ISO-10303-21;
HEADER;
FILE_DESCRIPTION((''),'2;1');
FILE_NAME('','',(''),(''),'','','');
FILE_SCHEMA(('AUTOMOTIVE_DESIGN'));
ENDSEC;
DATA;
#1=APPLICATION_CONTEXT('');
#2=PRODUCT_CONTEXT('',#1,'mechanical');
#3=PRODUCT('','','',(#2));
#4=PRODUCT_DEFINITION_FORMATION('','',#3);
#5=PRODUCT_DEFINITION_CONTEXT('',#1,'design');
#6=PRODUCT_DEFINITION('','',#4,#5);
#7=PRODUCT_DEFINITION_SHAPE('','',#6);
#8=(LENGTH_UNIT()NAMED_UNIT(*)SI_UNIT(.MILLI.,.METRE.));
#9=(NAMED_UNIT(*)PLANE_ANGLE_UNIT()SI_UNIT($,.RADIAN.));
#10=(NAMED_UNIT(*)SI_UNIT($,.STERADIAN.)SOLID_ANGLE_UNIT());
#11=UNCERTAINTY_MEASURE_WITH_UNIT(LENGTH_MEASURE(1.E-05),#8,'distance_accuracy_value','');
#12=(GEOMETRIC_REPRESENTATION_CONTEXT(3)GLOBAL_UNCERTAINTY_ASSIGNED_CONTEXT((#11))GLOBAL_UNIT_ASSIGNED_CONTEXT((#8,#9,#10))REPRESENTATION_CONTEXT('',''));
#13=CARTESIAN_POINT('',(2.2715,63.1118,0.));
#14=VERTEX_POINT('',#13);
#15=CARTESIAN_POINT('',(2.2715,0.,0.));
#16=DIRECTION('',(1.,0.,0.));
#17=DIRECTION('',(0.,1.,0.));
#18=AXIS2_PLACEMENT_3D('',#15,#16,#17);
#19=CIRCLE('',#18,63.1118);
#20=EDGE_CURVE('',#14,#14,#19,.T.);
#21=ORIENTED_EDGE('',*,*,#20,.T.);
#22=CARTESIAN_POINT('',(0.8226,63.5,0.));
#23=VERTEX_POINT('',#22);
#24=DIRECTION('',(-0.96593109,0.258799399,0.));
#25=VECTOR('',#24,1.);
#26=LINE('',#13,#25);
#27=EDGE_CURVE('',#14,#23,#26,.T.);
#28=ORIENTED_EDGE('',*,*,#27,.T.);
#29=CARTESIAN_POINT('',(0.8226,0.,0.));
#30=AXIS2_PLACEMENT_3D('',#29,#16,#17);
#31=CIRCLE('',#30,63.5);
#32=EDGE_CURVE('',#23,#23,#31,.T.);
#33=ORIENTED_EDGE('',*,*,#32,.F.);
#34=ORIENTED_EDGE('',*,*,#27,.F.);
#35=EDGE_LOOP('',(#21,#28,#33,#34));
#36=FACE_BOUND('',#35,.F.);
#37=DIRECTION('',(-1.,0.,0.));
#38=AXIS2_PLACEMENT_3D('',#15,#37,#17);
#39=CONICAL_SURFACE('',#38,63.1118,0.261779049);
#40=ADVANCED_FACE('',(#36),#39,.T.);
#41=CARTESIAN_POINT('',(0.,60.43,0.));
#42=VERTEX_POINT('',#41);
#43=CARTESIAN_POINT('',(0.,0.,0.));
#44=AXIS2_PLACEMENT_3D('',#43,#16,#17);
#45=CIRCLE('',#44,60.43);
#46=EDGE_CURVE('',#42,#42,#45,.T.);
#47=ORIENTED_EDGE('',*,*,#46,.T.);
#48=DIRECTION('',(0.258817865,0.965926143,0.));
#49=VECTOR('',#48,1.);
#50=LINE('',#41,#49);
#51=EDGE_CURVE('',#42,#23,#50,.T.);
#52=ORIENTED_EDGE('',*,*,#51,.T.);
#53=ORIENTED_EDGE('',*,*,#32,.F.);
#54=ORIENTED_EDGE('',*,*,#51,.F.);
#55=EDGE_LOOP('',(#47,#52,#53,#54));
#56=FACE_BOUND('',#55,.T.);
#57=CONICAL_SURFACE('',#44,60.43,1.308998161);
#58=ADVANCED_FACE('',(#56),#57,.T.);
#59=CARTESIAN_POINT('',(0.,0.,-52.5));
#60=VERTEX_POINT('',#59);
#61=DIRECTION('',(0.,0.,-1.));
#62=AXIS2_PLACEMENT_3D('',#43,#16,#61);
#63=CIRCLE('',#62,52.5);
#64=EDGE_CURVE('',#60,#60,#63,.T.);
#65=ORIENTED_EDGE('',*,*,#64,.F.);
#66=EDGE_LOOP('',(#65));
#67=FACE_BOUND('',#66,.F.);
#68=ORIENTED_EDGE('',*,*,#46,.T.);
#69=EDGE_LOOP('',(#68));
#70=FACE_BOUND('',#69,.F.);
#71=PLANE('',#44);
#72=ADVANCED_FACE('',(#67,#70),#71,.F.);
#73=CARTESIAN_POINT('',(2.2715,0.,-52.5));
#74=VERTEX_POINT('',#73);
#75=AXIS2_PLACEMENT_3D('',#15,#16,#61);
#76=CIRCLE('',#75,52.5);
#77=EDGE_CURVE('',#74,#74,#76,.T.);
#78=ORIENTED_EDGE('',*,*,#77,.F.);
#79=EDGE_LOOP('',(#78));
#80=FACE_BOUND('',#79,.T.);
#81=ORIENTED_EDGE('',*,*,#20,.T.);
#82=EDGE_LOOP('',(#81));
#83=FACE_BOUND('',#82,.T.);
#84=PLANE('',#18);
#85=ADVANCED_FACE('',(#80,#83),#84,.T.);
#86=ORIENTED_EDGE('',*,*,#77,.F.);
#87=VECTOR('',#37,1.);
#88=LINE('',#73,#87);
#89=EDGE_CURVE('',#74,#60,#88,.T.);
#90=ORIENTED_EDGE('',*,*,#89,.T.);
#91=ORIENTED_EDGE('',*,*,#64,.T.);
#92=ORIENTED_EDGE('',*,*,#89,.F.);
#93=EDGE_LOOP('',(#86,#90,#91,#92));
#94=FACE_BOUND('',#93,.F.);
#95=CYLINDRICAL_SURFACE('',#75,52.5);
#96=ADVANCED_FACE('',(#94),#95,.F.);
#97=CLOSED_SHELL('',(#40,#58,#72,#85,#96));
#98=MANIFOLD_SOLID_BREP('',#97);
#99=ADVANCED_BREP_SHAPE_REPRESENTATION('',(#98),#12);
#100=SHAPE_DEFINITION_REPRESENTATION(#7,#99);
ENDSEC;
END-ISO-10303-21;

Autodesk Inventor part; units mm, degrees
ref_plane "YZ Plane" through (0, 0, 0) normal (1, 0, 0) x (0, 1, 0)
ref_plane "XZ Plane" through (0, 0, 0) normal (0, 1, 0) x (-1, 0, 0)
ref_plane "XY Plane" through (0, 0, 0) normal (0, 0, 1) x (1, 0, 0)
sketch "스케치1" plane through (0, 0, 0) normal (0, 0, 1) x (1, 0, 0)
  line L0 (2.2715, 63.1118) -> (2.2715, -63.1118) projected
  line L1 (0, 60.43) -> (0, -60.43) projected
  line L2 (0, 60.43) -> (0.8226, 63.5) projected
  line L3 (2.2715, 63.1118) -> (0.8226, 63.5) projected
  line L4 (0, 0) -> (8.4353, 0)
  point P0 (2.2715, 0)
revolve "회전1" add sketch "스케치1" angle 360 about axis through (0, 0, 0) along (1, 0, 0)
sketch "스케치2" plane through (2.2715, 0, 0) normal (1, 0, 0) x (0, 0, -1)
  circle A0 centre (0, 0) radius 52.5
  dimension "d1" = 105
extrude "돌출1" cut sketch "스케치2" against normal through all
equation "\"joint4_belt_centor\" = 157.367"
equation "\"joint4_axis2_L\" = 58.803"
equation "\"joint4_axis2_b1\" = 35"
equation "\"joint4_axis2_d\" = 19"
equation "\"joint4_miter_m\" = 2"
equation "\"joint4_miter_a\" = 20deg"
equation "\"joint4_miter_z\" = 79"
equation "\"joint4_miter_b\" = 6.90139"
equation "\"joint4_axis3_L\" = 23.5"
equation "\"joint3_belt_centor\" = 157.367"
equation "\"joint3_axis2_L\" = 63.75"
equation "\"joint3_axis2_b1\" = 38"
equation "\"joint3_axis2_d\" = 29"
equation "\"joint3_planetary_m\" = 2"
equation "\"joint3_planetary_a\" = 20deg"
equation "\"joint3_planetary_np\" = 4"
equation "\"joint3_sun_b\" = 19"
equation "\"joint3_planet_b\" = 19"
equation "\"joint3_ring_b\" = 18"
equation "\"joint3_axis3_d\" = 29"
equation "\"joint3_miter_m\" = 4"
equation "\"joint3_miter_a\" = 20deg"
equation "\"joint3_miter_z\" = 28"
equation "\"joint3_miter_b\" = 25.07657"
equation "\"joint3_axis4_L\" = 43.706"
equation "\"joint3_miter_z2\" = 39"
equation "\"joint3_miter_z1\" = 26"
properties part number "Cube" material "PLA filament"
